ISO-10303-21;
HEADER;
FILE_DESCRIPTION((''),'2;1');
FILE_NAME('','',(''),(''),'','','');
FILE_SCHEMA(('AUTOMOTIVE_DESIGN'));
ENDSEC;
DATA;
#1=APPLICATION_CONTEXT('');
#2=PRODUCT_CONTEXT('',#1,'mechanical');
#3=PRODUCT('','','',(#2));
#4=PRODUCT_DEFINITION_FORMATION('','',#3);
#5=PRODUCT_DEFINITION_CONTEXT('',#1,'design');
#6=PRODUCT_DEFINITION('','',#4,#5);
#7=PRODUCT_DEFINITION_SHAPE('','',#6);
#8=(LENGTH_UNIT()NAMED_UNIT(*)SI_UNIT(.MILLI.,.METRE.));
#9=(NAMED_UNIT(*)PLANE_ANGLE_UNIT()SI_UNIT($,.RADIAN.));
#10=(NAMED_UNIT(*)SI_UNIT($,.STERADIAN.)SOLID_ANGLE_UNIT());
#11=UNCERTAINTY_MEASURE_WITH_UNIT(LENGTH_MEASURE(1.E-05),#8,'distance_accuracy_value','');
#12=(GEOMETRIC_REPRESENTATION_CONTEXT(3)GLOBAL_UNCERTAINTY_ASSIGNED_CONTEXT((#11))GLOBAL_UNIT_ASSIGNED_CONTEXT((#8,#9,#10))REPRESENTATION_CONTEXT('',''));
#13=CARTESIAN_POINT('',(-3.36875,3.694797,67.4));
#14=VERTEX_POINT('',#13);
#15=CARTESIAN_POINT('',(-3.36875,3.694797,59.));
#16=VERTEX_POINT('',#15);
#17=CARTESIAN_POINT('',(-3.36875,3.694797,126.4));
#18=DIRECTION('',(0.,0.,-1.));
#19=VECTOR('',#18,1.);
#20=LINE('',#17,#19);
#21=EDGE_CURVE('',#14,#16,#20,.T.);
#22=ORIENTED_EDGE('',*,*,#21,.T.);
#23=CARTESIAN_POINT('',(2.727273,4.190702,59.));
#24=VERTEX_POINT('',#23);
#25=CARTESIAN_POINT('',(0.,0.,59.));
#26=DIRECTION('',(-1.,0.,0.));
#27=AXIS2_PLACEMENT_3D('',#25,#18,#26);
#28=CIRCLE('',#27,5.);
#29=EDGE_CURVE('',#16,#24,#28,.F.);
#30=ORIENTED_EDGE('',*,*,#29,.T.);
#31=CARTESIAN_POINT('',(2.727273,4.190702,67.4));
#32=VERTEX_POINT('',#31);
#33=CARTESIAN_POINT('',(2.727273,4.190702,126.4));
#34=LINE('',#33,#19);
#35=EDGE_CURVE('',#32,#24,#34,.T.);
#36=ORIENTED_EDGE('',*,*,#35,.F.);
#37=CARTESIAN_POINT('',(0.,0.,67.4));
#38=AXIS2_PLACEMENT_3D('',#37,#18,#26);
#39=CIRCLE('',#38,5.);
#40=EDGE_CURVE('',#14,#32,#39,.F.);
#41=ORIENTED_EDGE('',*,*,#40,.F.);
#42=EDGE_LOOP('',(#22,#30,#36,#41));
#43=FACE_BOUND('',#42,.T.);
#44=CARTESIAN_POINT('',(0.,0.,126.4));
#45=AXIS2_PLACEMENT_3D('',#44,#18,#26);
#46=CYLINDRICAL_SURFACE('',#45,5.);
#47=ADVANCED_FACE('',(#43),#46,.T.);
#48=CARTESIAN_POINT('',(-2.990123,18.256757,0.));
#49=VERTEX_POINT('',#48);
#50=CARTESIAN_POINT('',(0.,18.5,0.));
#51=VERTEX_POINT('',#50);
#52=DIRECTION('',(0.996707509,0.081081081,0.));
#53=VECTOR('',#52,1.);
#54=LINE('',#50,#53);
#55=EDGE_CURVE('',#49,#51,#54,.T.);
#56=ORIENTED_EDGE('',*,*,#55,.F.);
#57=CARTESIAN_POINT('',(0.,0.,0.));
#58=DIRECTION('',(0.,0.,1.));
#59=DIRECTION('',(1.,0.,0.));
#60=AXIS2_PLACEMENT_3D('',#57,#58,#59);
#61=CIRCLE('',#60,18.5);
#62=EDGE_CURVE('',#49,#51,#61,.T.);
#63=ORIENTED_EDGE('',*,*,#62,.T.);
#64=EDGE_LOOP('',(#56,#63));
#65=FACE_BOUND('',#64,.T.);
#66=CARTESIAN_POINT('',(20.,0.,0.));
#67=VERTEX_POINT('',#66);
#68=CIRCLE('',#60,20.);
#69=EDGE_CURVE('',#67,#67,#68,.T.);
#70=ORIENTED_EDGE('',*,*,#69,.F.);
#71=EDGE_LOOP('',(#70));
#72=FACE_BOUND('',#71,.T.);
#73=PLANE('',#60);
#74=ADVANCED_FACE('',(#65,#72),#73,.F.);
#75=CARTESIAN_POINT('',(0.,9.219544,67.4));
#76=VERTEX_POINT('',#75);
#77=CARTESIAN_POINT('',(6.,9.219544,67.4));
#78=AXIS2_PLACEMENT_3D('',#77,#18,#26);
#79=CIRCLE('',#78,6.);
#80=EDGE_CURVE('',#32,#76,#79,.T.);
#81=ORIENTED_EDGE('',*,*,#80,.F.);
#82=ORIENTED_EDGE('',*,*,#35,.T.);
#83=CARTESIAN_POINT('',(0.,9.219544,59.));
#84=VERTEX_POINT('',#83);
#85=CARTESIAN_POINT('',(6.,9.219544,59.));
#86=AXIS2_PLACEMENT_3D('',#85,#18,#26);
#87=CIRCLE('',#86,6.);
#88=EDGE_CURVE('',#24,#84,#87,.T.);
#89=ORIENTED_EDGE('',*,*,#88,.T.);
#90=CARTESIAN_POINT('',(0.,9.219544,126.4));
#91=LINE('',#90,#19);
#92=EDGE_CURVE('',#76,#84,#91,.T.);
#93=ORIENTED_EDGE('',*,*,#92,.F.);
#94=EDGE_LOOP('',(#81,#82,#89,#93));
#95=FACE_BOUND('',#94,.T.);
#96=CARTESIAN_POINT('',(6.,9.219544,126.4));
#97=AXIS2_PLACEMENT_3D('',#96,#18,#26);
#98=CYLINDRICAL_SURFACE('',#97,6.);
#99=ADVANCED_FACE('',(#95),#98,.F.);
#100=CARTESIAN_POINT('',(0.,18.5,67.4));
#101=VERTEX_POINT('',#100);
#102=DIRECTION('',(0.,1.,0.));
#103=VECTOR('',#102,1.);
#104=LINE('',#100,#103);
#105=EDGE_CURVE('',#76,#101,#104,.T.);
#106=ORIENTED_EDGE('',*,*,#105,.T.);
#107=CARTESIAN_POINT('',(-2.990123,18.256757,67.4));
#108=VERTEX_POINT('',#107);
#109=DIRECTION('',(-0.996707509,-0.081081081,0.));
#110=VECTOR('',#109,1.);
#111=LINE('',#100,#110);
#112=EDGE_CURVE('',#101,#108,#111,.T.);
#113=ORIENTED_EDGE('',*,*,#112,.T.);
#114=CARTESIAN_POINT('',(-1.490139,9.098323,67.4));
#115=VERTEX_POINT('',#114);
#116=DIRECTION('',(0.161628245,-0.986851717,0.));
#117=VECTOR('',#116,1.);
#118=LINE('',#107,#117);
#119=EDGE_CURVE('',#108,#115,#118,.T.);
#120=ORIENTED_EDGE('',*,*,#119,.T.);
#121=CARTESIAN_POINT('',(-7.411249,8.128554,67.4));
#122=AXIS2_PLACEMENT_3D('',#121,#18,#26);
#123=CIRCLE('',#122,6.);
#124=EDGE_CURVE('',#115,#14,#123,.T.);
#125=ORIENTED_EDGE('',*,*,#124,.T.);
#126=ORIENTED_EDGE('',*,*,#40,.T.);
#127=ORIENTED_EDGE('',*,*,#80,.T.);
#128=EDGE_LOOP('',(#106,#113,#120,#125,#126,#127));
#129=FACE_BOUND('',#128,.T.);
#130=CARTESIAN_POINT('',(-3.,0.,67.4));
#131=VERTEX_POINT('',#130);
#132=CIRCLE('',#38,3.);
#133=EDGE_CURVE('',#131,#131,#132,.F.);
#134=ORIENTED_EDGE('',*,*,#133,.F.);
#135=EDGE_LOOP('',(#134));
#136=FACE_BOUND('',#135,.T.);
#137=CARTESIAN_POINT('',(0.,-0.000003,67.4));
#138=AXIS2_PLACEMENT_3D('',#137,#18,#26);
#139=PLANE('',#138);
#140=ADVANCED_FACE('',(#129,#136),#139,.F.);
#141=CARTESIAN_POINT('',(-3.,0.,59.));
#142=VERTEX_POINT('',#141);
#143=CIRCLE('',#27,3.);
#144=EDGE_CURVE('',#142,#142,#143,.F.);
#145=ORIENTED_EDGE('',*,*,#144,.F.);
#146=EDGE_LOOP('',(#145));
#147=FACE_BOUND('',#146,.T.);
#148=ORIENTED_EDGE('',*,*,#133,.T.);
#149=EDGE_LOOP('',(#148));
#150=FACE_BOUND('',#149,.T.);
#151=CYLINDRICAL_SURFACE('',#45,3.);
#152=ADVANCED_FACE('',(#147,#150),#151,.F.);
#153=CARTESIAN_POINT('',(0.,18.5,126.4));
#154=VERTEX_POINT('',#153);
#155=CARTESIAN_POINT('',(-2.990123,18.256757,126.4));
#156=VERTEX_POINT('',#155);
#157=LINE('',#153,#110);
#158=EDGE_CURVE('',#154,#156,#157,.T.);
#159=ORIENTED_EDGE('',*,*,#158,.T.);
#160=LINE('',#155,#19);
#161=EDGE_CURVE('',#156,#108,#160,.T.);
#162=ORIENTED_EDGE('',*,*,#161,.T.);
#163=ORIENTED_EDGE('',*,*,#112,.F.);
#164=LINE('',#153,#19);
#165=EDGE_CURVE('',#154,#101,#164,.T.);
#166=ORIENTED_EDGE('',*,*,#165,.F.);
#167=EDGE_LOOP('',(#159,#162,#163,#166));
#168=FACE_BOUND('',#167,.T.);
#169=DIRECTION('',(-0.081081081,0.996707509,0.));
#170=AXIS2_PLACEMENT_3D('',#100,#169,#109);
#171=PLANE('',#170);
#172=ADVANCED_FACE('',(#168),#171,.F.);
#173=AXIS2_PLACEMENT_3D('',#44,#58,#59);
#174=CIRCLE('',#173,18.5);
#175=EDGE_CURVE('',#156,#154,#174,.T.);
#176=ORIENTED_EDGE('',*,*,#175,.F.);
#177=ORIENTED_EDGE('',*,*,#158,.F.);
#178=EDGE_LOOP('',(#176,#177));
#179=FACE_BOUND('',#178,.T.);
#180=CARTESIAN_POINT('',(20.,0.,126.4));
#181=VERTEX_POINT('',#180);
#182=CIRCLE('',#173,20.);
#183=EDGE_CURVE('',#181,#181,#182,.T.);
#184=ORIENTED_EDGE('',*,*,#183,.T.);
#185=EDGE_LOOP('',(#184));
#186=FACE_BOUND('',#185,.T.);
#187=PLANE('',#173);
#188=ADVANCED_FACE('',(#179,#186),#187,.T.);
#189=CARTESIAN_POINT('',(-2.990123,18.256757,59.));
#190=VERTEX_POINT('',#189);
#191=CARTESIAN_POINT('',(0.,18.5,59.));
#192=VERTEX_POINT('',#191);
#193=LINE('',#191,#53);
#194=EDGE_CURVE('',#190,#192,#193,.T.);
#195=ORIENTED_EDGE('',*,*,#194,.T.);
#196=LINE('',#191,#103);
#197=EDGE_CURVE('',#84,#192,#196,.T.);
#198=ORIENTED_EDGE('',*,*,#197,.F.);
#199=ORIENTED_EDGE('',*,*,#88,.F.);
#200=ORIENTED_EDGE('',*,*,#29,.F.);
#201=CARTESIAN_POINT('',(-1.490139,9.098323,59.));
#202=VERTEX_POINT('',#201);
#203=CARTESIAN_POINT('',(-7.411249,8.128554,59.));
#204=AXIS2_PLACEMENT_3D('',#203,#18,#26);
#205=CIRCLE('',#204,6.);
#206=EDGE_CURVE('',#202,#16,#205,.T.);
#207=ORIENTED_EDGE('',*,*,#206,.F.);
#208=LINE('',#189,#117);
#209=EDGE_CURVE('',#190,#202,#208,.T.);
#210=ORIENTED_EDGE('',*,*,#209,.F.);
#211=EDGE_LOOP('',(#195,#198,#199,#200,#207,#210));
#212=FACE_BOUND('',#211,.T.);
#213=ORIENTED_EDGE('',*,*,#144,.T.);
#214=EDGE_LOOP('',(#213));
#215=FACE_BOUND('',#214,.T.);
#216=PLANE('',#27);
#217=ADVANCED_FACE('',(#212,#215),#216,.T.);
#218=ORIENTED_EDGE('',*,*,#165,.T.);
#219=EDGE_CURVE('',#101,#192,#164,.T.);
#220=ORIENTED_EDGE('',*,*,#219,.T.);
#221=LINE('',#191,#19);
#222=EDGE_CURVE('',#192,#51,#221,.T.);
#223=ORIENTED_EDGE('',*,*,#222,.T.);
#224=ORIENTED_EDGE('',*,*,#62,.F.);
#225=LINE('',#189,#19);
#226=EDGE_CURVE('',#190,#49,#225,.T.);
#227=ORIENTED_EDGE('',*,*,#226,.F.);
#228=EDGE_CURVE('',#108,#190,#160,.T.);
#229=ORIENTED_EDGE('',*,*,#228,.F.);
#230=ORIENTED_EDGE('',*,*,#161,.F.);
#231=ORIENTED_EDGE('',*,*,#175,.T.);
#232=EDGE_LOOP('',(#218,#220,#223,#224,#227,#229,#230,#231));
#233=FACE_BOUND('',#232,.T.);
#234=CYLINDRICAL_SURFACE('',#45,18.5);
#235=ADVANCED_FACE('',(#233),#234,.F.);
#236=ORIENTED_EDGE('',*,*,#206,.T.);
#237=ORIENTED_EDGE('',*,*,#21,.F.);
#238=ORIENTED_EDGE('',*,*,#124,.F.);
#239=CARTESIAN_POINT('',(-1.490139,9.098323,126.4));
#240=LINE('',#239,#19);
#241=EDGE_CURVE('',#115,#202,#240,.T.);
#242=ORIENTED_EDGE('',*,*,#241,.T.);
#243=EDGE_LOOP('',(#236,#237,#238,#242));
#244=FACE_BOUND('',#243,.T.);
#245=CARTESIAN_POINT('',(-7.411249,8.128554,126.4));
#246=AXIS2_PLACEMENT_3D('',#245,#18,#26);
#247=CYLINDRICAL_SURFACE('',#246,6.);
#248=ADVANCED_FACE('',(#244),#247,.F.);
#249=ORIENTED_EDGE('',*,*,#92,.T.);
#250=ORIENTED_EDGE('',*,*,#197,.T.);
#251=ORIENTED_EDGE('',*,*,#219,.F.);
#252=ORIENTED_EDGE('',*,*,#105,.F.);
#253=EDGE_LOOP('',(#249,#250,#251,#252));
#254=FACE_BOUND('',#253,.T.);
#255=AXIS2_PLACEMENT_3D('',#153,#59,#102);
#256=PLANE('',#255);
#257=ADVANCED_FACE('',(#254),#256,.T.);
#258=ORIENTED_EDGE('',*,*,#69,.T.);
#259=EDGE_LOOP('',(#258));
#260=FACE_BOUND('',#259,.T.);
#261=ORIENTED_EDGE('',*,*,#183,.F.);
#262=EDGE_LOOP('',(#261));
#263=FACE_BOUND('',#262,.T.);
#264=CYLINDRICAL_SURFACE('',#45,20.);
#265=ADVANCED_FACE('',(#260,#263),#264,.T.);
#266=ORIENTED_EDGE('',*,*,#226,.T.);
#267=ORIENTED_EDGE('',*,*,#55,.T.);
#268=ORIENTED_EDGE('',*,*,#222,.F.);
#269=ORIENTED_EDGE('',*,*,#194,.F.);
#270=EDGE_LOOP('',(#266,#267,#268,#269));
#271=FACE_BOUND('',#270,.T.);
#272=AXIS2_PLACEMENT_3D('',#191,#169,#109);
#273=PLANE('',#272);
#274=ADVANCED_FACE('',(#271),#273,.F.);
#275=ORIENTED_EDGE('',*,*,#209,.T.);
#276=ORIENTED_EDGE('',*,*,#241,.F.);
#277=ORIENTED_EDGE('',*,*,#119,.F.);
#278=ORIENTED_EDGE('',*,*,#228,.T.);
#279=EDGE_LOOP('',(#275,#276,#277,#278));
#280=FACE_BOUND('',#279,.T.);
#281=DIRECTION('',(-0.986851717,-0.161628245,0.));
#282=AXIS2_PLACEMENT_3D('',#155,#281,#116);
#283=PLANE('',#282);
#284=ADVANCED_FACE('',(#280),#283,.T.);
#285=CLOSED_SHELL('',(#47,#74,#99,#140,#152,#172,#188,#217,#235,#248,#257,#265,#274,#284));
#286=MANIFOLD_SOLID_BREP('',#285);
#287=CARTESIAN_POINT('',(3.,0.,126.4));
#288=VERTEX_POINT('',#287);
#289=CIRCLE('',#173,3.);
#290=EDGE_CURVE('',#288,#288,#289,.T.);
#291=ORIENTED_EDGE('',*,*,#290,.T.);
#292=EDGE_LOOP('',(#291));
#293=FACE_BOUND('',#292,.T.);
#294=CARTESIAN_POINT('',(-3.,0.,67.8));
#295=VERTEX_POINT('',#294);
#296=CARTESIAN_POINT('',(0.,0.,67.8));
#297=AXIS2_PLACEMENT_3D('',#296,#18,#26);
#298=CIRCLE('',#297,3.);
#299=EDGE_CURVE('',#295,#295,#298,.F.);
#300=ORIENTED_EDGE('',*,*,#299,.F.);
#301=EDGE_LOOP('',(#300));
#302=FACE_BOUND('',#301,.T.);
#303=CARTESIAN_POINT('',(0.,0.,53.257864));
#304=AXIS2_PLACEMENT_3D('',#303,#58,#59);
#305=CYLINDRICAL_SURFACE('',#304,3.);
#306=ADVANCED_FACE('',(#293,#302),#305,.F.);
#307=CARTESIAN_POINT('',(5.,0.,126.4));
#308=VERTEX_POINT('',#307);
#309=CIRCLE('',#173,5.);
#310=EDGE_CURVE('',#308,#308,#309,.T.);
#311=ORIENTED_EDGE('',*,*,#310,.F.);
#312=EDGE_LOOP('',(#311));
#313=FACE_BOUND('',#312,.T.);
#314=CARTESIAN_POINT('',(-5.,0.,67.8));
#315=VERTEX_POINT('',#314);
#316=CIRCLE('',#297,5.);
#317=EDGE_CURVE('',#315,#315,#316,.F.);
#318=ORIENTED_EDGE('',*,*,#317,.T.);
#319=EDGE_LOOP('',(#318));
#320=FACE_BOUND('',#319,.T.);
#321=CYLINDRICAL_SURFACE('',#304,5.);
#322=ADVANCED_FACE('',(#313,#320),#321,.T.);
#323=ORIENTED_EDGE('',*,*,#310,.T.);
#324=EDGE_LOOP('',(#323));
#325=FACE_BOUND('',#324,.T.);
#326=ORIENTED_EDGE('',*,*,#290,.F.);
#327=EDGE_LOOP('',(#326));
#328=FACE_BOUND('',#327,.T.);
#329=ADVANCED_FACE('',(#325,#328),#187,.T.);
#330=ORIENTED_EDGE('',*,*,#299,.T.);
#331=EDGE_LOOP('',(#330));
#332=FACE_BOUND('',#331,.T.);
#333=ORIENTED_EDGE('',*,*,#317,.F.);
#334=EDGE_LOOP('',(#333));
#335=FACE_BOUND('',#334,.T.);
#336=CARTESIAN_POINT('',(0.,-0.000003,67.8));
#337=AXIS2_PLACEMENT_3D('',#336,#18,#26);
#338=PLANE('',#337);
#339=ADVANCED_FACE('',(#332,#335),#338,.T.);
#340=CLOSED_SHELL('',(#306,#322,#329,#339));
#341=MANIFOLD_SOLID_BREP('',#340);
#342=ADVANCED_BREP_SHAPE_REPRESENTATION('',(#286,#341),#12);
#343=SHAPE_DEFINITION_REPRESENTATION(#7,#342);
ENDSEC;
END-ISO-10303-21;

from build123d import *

# Parameters (mm, degrees)
SKETCH_2_R          = 20
SKETCH_2_R_2        = 18.5
EXTRUDE_1_DEPTH     = 126.4
SKETCH_5_R          = 3
EXTRUDE_3_DEPTH     = 126.4
CUT_EXTRUDE1_DEPTH  = 59
CUT_EXTRUDE2_DEPTH  = 59
SKETCH3_R           = 5
SKETCH3_R_2         = 3
BOSS_EXTRUDE1_DEPTH = 58.6


with BuildPart() as part:
    # Эскиз2 → Бобышка-Вытянуть1 (new body)
    with BuildSketch(Plane.XY):
        Circle(SKETCH_2_R)
        Circle(SKETCH_2_R_2, mode=Mode.SUBTRACT)
    extrude(amount=EXTRUDE_1_DEPTH)

    # Эскиз5 → Бобышка-Вытянуть3 (add, through all)
    with BuildSketch(Plane(origin=(0, 0, 0), x_dir=(-1, 0, 0), z_dir=(0, 0, -1))):
        with BuildLine():
            Line((0, 18.5), (0, 9.219544457))
            ThreePointArc((0, 9.219544457), (-0.725705562, 6.35915669), (-2.727272727, 4.190702026))
            ThreePointArc((-2.727272727, 4.190702026), (-0.405405405, -4.983537544), (3.368749585, 3.694797184))
            ThreePointArc((3.368749585, 3.694797184), (1.743983113, 6.158250179), (1.490138787, 9.098323274))
            Line((1.490138787, 9.098323274), (2.990122527, 18.256756757))
            ThreePointArc((2.990122527, 18.256756757), (1.5, 18.439088915), (0, 18.5))
        make_face()
        Circle(SKETCH_5_R, mode=Mode.SUBTRACT)
    extrude(amount=-EXTRUDE_3_DEPTH)

    # Sketch1 → Cut-Extrude1 (cut)
    with BuildSketch(Plane(origin=(0, 0, 0), x_dir=(-1, 0, 0), z_dir=(0, 0, -1))):
        with BuildLine():
            Line((0, 18.5), (2.990122527, 18.256756757))
            ThreePointArc((2.990122527, 18.256756757), (-1.5, -18.439088915), (0, 18.5))
        make_face()
    extrude(amount=-CUT_EXTRUDE1_DEPTH, mode=Mode.SUBTRACT)

    # Sketch2 → Cut-Extrude2 (cut)
    with BuildSketch(Plane.XY.offset(126.4)):
        with BuildLine():
            Line((0, 18.5), (-2.990122527, 18.256756757))
            ThreePointArc((-2.990122527, 18.256756757), (1.50000041, -18.439093959), (0, 18.5))
        make_face()
    extrude(amount=-CUT_EXTRUDE2_DEPTH, mode=Mode.SUBTRACT)


with BuildPart() as body_2:
    # Sketch3 → Boss-Extrude1 (new body)
    with BuildSketch(Plane.XY.offset(126.4)):
        Circle(SKETCH3_R)
        Circle(SKETCH3_R_2, mode=Mode.SUBTRACT)
    extrude(amount=-BOSS_EXTRUDE1_DEPTH)


solid = Compound([part.part, body_2.part])
